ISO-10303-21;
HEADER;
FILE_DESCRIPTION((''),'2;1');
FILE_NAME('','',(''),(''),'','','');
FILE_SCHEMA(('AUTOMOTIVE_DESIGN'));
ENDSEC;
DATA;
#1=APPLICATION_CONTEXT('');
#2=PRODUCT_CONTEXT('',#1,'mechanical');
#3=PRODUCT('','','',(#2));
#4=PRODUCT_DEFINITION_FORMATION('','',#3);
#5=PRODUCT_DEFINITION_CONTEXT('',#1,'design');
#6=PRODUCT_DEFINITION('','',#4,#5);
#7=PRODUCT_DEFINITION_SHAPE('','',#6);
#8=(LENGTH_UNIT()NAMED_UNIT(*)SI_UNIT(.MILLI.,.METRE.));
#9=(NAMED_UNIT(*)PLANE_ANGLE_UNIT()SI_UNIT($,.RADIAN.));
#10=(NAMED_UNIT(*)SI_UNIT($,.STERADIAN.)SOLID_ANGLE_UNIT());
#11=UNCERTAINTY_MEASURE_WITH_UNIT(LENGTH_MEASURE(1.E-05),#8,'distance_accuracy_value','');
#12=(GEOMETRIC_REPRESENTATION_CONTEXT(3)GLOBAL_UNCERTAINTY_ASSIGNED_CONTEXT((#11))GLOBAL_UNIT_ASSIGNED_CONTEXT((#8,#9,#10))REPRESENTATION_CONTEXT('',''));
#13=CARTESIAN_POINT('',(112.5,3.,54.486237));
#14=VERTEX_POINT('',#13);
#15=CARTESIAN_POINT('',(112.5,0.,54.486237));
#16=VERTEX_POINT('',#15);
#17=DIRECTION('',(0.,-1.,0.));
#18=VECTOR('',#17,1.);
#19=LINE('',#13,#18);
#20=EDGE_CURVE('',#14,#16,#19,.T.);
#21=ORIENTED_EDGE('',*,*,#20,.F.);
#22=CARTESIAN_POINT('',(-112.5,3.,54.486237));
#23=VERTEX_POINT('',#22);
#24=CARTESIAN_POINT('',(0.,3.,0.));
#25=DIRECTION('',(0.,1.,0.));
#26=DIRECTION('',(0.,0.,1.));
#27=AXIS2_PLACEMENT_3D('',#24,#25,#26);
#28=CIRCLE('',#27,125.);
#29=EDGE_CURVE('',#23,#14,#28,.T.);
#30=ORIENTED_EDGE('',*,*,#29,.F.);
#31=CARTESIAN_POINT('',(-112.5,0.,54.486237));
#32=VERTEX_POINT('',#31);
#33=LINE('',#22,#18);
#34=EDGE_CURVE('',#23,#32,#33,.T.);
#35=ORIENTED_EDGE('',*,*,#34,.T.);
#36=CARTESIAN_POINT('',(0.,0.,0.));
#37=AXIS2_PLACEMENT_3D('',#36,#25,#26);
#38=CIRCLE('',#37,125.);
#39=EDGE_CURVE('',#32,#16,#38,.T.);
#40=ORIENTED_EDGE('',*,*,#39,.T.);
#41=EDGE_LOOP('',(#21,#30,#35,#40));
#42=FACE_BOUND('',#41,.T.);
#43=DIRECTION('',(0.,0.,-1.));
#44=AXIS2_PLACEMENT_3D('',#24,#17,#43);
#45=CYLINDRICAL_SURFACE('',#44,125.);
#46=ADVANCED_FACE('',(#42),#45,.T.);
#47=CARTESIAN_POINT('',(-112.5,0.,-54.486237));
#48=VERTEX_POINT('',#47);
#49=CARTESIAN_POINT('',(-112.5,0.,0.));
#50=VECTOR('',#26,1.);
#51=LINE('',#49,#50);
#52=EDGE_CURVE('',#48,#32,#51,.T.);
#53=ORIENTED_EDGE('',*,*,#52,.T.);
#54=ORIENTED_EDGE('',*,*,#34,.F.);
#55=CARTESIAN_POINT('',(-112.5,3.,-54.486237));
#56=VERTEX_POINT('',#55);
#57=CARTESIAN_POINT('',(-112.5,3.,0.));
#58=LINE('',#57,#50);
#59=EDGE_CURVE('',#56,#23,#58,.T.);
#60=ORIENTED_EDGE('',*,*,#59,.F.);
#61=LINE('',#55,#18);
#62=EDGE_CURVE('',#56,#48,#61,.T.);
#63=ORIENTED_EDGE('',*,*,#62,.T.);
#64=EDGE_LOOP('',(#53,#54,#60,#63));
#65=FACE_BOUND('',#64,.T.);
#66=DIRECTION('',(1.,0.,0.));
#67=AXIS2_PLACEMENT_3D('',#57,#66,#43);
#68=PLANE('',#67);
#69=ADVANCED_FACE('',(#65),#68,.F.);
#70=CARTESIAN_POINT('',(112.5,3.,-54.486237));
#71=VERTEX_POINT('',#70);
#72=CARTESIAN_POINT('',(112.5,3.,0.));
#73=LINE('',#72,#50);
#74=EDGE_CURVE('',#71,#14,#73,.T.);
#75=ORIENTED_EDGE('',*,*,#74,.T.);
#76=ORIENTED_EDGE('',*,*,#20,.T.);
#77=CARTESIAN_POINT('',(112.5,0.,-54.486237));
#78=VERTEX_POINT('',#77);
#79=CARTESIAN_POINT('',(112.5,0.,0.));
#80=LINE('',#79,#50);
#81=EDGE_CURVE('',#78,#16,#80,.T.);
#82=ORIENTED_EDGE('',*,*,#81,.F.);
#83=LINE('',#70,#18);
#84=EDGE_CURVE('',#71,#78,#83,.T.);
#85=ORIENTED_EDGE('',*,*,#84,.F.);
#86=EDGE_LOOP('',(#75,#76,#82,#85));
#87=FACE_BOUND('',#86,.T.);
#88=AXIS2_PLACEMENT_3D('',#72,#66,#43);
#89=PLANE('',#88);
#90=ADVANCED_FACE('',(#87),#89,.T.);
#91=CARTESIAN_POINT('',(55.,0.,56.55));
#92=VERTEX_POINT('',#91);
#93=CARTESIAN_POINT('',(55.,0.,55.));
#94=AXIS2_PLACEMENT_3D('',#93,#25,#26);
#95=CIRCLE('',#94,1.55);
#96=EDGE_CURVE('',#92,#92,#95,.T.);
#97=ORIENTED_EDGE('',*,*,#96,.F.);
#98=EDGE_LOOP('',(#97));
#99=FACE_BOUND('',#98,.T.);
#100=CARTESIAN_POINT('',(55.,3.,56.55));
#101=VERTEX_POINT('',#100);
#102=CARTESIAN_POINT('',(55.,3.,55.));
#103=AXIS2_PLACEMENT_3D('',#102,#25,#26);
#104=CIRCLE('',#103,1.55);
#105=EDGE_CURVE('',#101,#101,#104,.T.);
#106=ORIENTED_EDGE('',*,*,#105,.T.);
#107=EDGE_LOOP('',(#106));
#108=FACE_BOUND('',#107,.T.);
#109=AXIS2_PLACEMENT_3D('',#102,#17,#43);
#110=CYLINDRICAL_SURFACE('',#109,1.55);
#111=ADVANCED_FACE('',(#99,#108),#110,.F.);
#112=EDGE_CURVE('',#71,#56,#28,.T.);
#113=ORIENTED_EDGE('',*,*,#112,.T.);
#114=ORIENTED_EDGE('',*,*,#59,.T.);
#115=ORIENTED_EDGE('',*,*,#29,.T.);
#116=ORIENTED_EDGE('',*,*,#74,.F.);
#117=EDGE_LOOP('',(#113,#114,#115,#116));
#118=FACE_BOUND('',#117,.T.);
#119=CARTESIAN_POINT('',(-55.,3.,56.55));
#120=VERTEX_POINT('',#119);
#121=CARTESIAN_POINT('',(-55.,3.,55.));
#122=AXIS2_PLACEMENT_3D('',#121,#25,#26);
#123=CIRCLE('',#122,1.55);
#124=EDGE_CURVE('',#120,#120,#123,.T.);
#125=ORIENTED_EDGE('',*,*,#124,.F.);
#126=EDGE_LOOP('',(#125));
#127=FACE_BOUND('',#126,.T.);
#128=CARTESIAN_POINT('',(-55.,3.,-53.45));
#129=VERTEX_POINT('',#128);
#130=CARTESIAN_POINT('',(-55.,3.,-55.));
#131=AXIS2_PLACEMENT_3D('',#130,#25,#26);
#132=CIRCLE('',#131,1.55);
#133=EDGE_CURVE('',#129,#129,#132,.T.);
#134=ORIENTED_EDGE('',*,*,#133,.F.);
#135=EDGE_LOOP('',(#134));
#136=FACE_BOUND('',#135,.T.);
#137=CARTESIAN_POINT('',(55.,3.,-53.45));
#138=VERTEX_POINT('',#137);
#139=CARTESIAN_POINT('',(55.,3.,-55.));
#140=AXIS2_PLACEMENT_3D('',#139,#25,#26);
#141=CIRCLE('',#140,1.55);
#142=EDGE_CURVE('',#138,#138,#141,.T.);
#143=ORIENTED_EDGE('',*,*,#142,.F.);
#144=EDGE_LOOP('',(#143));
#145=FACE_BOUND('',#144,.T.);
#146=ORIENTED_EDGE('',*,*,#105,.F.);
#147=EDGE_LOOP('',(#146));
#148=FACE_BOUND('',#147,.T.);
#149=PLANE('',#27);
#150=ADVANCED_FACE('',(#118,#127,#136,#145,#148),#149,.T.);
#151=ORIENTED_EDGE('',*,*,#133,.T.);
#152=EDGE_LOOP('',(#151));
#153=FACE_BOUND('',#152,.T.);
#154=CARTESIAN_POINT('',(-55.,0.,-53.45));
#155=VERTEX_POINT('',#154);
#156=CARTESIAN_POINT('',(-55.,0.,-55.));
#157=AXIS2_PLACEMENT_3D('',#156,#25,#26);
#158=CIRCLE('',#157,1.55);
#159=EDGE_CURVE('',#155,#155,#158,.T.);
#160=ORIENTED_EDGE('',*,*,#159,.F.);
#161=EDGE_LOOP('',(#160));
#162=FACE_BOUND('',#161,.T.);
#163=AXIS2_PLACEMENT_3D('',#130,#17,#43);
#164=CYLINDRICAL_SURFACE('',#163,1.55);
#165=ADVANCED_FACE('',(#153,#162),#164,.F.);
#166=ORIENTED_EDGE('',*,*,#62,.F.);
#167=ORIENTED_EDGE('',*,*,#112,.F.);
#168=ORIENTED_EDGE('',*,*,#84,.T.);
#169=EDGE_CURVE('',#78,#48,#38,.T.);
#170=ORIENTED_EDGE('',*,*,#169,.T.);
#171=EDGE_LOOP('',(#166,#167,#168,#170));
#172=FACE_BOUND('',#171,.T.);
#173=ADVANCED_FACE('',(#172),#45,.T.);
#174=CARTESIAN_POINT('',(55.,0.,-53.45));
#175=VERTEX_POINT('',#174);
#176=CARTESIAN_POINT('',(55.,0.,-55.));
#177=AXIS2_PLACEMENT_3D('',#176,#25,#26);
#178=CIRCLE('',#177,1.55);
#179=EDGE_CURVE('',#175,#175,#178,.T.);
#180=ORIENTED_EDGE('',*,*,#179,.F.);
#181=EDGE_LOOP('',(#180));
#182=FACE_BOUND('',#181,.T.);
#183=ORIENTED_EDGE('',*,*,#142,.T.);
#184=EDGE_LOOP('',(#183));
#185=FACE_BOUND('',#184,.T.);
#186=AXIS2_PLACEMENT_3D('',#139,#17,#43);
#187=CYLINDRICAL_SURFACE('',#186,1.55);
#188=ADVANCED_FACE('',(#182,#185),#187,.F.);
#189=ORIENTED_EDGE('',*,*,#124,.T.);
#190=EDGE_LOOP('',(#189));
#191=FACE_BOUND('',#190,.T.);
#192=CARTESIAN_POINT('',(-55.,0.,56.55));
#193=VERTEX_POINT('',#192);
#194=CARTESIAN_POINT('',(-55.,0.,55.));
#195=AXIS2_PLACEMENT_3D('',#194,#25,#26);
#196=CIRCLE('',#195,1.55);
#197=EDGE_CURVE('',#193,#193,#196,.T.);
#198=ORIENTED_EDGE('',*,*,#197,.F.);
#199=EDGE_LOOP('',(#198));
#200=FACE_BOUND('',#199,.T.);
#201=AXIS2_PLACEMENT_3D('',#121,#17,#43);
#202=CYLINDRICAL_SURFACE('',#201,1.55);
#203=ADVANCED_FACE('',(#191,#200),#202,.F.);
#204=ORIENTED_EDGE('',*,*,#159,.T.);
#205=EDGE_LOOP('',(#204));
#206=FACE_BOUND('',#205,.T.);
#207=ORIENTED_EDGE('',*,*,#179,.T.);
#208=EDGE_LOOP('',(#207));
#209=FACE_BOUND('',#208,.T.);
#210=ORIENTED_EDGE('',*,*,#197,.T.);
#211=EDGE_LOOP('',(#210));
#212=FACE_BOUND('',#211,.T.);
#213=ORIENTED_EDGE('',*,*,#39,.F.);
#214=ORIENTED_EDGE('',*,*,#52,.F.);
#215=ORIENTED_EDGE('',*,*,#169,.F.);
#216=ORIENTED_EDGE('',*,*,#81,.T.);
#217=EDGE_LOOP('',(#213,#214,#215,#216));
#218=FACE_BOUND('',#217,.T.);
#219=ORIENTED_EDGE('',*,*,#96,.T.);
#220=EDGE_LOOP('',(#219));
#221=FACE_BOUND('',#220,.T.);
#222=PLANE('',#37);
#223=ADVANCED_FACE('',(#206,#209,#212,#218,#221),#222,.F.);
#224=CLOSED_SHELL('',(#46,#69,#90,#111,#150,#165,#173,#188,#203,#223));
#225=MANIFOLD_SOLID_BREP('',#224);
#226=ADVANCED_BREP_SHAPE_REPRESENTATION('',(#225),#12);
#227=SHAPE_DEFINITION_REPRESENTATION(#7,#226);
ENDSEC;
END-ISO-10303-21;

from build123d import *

# Parameters (mm, degrees)
SKETCH1_R           = 1.55
BOSS_EXTRUDE1_DEPTH = 3


with BuildPart() as part:
    # Sketch1 → Boss-Extrude1 (new body)
    with BuildSketch(Plane(origin=(0, 0, 0), x_dir=(1, 0, 0), z_dir=(0, 1, 0))):
        with BuildLine():
            ThreePointArc((112.5, 54.486236794), (0, 125), (-112.5, 54.486236794))
            Line((-112.5, 54.486236794), (-112.5, -54.486236794))
            ThreePointArc((-112.5, -54.486236794), (0, -125), (112.5, -54.486236794))
            Line((112.5, -54.486236794), (112.5, 54.486236794))
        make_face()
        with Locations(Location((-55, -55, 0), (0, 0, 270))):
            Circle(SKETCH1_R, mode=Mode.SUBTRACT)
        with Locations(Location((55, -55, 0), (0, 0, 270))):
            Circle(SKETCH1_R, mode=Mode.SUBTRACT)
        with Locations(Location((-55, 55, 0), (0, 0, 270))):
            Circle(SKETCH1_R, mode=Mode.SUBTRACT)
        with Locations(Location((55, 55, 0), (0, 0, 270))):
            Circle(SKETCH1_R, mode=Mode.SUBTRACT)
    extrude(amount=BOSS_EXTRUDE1_DEPTH)


solid = part.part
